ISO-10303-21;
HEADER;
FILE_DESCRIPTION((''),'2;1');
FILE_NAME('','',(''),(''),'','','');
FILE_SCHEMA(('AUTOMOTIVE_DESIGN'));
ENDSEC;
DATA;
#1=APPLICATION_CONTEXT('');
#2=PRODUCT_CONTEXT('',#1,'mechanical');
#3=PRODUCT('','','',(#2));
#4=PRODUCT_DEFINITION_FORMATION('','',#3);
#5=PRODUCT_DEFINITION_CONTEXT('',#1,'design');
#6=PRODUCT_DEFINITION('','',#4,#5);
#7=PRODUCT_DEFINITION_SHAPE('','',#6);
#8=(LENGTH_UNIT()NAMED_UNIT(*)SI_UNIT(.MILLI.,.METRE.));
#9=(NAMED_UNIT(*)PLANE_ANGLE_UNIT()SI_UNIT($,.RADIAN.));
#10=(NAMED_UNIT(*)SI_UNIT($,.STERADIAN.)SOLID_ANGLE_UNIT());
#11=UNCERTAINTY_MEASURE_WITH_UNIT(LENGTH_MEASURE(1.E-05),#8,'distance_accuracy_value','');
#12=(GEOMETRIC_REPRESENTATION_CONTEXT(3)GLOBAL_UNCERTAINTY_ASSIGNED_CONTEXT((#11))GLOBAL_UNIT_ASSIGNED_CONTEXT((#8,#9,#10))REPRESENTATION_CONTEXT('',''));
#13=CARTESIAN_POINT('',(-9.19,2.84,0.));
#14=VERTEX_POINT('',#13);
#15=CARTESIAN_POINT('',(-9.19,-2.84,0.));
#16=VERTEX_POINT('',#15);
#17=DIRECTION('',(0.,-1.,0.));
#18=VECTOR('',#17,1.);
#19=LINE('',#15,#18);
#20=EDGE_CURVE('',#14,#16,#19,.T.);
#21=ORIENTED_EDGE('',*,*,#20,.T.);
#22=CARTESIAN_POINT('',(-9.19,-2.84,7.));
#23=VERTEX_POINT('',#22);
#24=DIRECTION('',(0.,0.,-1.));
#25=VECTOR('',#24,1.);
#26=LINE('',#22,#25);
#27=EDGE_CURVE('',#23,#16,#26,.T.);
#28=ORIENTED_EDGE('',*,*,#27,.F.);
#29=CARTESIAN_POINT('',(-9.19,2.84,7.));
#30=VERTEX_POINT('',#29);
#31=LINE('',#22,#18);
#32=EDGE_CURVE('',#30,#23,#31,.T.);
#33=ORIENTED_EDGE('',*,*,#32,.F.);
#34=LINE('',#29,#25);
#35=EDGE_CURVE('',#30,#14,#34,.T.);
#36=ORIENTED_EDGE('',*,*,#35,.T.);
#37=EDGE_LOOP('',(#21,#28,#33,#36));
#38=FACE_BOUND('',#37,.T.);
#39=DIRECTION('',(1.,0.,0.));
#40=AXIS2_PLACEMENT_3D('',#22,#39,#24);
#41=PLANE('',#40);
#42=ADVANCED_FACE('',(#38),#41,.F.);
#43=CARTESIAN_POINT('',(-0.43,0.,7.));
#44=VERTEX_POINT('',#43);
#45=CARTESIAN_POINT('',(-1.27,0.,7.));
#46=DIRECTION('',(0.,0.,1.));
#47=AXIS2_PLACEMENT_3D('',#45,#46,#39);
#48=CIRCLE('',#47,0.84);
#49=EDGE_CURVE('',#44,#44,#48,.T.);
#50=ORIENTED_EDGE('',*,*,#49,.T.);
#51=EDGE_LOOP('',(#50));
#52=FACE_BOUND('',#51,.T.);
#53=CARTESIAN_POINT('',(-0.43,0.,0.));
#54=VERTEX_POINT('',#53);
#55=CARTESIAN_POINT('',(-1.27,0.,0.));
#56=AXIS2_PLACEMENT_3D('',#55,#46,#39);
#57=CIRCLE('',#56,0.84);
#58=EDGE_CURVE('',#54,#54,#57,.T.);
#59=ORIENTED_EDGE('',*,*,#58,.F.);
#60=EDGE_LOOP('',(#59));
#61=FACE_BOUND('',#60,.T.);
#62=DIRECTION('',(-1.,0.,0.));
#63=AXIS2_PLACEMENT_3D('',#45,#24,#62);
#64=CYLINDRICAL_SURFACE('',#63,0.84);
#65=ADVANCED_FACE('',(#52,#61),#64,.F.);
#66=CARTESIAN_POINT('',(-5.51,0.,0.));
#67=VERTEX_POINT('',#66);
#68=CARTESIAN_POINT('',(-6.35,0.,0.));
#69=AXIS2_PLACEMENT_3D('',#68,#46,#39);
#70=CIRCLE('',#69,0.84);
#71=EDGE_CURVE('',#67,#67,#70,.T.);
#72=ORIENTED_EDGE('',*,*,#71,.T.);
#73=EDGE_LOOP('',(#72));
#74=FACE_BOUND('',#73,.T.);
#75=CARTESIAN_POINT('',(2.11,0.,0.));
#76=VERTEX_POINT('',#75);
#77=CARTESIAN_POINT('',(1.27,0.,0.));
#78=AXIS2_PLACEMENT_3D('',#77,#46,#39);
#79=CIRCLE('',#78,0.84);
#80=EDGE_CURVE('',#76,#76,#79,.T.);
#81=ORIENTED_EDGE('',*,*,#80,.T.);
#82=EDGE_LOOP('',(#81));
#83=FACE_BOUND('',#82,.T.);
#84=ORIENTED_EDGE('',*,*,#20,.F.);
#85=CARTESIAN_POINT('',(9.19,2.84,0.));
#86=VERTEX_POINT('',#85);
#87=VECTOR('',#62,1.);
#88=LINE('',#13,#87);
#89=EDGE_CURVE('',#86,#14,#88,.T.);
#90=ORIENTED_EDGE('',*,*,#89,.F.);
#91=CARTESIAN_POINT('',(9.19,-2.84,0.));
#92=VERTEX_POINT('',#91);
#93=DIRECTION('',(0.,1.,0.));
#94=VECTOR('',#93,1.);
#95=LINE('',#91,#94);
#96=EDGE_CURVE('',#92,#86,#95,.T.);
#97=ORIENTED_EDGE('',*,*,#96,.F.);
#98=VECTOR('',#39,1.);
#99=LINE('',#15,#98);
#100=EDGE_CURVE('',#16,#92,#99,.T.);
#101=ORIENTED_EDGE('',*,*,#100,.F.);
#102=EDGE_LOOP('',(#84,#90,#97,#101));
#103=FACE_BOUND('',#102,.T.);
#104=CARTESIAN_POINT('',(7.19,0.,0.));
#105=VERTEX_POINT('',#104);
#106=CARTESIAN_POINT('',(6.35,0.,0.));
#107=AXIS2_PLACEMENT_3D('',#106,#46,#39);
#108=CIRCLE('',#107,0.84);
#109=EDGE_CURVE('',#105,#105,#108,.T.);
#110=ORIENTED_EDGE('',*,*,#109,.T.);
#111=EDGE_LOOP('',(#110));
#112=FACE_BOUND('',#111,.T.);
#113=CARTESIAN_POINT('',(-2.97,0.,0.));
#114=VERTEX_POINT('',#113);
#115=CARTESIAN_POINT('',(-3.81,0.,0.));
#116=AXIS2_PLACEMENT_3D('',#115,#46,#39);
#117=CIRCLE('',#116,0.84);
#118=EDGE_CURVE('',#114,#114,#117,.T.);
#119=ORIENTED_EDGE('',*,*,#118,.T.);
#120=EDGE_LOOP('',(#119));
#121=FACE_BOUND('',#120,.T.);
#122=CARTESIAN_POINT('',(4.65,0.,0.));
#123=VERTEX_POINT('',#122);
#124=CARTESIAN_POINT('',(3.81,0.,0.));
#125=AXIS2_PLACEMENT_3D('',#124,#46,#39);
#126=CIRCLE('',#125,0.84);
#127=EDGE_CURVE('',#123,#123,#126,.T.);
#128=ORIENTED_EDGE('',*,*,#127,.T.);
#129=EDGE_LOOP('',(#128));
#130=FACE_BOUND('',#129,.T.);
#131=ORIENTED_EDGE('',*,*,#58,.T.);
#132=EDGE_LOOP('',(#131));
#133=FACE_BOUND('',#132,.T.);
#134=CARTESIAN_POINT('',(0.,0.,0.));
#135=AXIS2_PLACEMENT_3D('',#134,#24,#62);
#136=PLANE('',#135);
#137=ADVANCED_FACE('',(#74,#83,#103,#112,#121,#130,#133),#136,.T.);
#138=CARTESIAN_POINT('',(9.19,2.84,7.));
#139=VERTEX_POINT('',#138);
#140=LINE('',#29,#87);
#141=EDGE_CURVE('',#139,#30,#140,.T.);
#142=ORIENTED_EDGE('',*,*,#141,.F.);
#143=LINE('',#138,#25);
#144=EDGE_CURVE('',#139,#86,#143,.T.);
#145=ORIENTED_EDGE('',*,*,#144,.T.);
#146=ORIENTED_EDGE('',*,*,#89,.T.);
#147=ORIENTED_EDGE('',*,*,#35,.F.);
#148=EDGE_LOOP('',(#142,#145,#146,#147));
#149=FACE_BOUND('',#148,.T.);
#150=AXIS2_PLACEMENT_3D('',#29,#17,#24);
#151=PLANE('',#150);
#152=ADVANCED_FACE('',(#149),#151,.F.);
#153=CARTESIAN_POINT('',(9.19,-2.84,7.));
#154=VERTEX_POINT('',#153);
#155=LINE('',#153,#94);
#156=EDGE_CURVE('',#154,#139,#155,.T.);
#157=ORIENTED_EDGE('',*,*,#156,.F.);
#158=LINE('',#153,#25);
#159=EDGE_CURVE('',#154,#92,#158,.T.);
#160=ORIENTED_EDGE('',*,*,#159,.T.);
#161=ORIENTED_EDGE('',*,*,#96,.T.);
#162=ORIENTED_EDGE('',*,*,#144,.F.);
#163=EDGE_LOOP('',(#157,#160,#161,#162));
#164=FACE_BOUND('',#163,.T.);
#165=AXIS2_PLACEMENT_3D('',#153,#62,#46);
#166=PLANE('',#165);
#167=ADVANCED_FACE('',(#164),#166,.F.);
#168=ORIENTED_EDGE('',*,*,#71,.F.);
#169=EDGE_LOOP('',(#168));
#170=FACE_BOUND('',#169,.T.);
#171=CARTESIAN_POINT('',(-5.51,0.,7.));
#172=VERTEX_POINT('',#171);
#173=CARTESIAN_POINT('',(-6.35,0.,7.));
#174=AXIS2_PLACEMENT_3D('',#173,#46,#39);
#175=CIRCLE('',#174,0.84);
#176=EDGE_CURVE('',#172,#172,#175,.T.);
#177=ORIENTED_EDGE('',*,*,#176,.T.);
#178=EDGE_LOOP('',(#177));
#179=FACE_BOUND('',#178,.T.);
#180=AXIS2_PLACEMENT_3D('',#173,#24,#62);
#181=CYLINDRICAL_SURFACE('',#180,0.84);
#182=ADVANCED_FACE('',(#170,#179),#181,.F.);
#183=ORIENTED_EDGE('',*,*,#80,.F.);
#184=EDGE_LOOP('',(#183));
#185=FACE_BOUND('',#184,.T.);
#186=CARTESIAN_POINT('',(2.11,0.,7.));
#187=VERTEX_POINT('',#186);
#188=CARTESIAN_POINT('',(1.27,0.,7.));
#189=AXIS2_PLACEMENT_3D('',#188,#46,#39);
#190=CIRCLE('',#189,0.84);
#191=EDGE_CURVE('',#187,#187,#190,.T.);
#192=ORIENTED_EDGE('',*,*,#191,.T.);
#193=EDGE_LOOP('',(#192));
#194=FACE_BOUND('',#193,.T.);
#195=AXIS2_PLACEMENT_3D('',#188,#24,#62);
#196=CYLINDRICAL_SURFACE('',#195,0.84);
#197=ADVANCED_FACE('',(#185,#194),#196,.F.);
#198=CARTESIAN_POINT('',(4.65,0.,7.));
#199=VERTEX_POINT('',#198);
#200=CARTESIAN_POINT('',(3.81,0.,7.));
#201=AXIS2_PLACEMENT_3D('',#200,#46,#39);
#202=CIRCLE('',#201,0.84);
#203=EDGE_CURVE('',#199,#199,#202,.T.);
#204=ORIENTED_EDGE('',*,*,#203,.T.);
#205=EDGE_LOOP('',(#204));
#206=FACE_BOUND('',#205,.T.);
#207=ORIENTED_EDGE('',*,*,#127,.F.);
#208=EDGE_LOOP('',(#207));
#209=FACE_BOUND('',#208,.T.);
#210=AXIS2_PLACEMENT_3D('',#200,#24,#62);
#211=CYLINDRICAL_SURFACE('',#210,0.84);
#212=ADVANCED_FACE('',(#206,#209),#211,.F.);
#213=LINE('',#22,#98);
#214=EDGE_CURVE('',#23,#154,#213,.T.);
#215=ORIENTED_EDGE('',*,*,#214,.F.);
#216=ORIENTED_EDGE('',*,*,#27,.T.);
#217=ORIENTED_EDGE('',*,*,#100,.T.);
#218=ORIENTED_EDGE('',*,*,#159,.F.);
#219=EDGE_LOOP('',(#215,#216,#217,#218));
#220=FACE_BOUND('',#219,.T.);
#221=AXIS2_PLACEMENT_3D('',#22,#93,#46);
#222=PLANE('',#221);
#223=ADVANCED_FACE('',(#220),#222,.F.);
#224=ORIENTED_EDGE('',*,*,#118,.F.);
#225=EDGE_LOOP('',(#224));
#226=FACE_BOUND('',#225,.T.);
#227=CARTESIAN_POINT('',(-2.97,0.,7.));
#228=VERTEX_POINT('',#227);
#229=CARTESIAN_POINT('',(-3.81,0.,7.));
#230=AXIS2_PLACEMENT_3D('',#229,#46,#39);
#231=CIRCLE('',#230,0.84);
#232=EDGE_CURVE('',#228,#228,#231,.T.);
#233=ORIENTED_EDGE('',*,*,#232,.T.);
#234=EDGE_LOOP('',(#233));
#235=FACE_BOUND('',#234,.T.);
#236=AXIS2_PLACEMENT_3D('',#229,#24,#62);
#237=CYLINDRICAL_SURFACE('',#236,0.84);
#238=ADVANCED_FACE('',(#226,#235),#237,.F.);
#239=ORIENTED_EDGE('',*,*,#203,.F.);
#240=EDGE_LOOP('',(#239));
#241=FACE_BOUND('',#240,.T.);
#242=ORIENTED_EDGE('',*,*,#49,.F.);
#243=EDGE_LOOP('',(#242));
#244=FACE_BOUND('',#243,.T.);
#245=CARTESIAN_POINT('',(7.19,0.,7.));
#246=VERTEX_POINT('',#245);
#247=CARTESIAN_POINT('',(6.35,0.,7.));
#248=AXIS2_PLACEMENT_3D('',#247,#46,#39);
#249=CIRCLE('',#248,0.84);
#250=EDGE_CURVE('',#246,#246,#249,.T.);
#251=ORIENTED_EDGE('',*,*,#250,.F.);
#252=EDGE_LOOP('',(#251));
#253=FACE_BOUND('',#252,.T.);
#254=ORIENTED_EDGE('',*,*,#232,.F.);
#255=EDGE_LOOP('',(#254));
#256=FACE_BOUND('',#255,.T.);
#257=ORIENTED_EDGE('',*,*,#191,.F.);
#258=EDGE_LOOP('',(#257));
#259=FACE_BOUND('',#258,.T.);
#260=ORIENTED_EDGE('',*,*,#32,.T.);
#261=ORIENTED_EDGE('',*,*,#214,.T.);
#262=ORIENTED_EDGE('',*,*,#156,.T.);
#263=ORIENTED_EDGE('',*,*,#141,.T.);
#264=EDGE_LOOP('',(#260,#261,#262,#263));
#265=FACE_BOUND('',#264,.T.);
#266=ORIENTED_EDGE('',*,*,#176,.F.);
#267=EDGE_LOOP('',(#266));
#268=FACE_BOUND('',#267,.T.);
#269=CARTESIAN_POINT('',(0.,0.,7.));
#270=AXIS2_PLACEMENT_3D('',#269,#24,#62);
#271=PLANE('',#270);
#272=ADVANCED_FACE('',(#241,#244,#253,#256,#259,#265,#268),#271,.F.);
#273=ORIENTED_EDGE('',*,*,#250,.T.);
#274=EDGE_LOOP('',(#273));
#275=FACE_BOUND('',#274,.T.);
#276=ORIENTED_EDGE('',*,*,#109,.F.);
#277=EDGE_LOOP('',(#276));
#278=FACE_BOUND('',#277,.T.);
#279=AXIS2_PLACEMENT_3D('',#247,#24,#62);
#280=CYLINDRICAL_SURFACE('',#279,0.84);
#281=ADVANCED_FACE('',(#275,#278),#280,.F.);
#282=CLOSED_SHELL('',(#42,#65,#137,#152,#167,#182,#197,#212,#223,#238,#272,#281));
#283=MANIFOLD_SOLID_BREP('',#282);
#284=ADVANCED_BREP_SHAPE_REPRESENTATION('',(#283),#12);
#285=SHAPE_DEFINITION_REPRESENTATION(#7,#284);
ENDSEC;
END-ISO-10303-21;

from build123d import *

# Parameters (mm, degrees)
SKETCH1_W           = 18.38
SKETCH1_H           = 5.68
SKETCH1_R           = 0.84
BOSS_EXTRUDE1_DEPTH = 7


with BuildPart() as part:
    # Sketch1 → Boss-Extrude1 (new body)
    with BuildSketch(Plane.XY):
        Rectangle(SKETCH1_W, SKETCH1_H)
        with Locations((-6.35, 0)):
            Circle(SKETCH1_R, mode=Mode.SUBTRACT)
        with Locations((-3.81, 0)):
            Circle(SKETCH1_R, mode=Mode.SUBTRACT)
        with Locations((-1.27, 0)):
            Circle(SKETCH1_R, mode=Mode.SUBTRACT)
        with Locations((1.27, 0)):
            Circle(SKETCH1_R, mode=Mode.SUBTRACT)
        with Locations((3.81, 0)):
            Circle(SKETCH1_R, mode=Mode.SUBTRACT)
        with Locations((6.35, 0)):
            Circle(SKETCH1_R, mode=Mode.SUBTRACT)
    extrude(amount=BOSS_EXTRUDE1_DEPTH)


solid = part.part
